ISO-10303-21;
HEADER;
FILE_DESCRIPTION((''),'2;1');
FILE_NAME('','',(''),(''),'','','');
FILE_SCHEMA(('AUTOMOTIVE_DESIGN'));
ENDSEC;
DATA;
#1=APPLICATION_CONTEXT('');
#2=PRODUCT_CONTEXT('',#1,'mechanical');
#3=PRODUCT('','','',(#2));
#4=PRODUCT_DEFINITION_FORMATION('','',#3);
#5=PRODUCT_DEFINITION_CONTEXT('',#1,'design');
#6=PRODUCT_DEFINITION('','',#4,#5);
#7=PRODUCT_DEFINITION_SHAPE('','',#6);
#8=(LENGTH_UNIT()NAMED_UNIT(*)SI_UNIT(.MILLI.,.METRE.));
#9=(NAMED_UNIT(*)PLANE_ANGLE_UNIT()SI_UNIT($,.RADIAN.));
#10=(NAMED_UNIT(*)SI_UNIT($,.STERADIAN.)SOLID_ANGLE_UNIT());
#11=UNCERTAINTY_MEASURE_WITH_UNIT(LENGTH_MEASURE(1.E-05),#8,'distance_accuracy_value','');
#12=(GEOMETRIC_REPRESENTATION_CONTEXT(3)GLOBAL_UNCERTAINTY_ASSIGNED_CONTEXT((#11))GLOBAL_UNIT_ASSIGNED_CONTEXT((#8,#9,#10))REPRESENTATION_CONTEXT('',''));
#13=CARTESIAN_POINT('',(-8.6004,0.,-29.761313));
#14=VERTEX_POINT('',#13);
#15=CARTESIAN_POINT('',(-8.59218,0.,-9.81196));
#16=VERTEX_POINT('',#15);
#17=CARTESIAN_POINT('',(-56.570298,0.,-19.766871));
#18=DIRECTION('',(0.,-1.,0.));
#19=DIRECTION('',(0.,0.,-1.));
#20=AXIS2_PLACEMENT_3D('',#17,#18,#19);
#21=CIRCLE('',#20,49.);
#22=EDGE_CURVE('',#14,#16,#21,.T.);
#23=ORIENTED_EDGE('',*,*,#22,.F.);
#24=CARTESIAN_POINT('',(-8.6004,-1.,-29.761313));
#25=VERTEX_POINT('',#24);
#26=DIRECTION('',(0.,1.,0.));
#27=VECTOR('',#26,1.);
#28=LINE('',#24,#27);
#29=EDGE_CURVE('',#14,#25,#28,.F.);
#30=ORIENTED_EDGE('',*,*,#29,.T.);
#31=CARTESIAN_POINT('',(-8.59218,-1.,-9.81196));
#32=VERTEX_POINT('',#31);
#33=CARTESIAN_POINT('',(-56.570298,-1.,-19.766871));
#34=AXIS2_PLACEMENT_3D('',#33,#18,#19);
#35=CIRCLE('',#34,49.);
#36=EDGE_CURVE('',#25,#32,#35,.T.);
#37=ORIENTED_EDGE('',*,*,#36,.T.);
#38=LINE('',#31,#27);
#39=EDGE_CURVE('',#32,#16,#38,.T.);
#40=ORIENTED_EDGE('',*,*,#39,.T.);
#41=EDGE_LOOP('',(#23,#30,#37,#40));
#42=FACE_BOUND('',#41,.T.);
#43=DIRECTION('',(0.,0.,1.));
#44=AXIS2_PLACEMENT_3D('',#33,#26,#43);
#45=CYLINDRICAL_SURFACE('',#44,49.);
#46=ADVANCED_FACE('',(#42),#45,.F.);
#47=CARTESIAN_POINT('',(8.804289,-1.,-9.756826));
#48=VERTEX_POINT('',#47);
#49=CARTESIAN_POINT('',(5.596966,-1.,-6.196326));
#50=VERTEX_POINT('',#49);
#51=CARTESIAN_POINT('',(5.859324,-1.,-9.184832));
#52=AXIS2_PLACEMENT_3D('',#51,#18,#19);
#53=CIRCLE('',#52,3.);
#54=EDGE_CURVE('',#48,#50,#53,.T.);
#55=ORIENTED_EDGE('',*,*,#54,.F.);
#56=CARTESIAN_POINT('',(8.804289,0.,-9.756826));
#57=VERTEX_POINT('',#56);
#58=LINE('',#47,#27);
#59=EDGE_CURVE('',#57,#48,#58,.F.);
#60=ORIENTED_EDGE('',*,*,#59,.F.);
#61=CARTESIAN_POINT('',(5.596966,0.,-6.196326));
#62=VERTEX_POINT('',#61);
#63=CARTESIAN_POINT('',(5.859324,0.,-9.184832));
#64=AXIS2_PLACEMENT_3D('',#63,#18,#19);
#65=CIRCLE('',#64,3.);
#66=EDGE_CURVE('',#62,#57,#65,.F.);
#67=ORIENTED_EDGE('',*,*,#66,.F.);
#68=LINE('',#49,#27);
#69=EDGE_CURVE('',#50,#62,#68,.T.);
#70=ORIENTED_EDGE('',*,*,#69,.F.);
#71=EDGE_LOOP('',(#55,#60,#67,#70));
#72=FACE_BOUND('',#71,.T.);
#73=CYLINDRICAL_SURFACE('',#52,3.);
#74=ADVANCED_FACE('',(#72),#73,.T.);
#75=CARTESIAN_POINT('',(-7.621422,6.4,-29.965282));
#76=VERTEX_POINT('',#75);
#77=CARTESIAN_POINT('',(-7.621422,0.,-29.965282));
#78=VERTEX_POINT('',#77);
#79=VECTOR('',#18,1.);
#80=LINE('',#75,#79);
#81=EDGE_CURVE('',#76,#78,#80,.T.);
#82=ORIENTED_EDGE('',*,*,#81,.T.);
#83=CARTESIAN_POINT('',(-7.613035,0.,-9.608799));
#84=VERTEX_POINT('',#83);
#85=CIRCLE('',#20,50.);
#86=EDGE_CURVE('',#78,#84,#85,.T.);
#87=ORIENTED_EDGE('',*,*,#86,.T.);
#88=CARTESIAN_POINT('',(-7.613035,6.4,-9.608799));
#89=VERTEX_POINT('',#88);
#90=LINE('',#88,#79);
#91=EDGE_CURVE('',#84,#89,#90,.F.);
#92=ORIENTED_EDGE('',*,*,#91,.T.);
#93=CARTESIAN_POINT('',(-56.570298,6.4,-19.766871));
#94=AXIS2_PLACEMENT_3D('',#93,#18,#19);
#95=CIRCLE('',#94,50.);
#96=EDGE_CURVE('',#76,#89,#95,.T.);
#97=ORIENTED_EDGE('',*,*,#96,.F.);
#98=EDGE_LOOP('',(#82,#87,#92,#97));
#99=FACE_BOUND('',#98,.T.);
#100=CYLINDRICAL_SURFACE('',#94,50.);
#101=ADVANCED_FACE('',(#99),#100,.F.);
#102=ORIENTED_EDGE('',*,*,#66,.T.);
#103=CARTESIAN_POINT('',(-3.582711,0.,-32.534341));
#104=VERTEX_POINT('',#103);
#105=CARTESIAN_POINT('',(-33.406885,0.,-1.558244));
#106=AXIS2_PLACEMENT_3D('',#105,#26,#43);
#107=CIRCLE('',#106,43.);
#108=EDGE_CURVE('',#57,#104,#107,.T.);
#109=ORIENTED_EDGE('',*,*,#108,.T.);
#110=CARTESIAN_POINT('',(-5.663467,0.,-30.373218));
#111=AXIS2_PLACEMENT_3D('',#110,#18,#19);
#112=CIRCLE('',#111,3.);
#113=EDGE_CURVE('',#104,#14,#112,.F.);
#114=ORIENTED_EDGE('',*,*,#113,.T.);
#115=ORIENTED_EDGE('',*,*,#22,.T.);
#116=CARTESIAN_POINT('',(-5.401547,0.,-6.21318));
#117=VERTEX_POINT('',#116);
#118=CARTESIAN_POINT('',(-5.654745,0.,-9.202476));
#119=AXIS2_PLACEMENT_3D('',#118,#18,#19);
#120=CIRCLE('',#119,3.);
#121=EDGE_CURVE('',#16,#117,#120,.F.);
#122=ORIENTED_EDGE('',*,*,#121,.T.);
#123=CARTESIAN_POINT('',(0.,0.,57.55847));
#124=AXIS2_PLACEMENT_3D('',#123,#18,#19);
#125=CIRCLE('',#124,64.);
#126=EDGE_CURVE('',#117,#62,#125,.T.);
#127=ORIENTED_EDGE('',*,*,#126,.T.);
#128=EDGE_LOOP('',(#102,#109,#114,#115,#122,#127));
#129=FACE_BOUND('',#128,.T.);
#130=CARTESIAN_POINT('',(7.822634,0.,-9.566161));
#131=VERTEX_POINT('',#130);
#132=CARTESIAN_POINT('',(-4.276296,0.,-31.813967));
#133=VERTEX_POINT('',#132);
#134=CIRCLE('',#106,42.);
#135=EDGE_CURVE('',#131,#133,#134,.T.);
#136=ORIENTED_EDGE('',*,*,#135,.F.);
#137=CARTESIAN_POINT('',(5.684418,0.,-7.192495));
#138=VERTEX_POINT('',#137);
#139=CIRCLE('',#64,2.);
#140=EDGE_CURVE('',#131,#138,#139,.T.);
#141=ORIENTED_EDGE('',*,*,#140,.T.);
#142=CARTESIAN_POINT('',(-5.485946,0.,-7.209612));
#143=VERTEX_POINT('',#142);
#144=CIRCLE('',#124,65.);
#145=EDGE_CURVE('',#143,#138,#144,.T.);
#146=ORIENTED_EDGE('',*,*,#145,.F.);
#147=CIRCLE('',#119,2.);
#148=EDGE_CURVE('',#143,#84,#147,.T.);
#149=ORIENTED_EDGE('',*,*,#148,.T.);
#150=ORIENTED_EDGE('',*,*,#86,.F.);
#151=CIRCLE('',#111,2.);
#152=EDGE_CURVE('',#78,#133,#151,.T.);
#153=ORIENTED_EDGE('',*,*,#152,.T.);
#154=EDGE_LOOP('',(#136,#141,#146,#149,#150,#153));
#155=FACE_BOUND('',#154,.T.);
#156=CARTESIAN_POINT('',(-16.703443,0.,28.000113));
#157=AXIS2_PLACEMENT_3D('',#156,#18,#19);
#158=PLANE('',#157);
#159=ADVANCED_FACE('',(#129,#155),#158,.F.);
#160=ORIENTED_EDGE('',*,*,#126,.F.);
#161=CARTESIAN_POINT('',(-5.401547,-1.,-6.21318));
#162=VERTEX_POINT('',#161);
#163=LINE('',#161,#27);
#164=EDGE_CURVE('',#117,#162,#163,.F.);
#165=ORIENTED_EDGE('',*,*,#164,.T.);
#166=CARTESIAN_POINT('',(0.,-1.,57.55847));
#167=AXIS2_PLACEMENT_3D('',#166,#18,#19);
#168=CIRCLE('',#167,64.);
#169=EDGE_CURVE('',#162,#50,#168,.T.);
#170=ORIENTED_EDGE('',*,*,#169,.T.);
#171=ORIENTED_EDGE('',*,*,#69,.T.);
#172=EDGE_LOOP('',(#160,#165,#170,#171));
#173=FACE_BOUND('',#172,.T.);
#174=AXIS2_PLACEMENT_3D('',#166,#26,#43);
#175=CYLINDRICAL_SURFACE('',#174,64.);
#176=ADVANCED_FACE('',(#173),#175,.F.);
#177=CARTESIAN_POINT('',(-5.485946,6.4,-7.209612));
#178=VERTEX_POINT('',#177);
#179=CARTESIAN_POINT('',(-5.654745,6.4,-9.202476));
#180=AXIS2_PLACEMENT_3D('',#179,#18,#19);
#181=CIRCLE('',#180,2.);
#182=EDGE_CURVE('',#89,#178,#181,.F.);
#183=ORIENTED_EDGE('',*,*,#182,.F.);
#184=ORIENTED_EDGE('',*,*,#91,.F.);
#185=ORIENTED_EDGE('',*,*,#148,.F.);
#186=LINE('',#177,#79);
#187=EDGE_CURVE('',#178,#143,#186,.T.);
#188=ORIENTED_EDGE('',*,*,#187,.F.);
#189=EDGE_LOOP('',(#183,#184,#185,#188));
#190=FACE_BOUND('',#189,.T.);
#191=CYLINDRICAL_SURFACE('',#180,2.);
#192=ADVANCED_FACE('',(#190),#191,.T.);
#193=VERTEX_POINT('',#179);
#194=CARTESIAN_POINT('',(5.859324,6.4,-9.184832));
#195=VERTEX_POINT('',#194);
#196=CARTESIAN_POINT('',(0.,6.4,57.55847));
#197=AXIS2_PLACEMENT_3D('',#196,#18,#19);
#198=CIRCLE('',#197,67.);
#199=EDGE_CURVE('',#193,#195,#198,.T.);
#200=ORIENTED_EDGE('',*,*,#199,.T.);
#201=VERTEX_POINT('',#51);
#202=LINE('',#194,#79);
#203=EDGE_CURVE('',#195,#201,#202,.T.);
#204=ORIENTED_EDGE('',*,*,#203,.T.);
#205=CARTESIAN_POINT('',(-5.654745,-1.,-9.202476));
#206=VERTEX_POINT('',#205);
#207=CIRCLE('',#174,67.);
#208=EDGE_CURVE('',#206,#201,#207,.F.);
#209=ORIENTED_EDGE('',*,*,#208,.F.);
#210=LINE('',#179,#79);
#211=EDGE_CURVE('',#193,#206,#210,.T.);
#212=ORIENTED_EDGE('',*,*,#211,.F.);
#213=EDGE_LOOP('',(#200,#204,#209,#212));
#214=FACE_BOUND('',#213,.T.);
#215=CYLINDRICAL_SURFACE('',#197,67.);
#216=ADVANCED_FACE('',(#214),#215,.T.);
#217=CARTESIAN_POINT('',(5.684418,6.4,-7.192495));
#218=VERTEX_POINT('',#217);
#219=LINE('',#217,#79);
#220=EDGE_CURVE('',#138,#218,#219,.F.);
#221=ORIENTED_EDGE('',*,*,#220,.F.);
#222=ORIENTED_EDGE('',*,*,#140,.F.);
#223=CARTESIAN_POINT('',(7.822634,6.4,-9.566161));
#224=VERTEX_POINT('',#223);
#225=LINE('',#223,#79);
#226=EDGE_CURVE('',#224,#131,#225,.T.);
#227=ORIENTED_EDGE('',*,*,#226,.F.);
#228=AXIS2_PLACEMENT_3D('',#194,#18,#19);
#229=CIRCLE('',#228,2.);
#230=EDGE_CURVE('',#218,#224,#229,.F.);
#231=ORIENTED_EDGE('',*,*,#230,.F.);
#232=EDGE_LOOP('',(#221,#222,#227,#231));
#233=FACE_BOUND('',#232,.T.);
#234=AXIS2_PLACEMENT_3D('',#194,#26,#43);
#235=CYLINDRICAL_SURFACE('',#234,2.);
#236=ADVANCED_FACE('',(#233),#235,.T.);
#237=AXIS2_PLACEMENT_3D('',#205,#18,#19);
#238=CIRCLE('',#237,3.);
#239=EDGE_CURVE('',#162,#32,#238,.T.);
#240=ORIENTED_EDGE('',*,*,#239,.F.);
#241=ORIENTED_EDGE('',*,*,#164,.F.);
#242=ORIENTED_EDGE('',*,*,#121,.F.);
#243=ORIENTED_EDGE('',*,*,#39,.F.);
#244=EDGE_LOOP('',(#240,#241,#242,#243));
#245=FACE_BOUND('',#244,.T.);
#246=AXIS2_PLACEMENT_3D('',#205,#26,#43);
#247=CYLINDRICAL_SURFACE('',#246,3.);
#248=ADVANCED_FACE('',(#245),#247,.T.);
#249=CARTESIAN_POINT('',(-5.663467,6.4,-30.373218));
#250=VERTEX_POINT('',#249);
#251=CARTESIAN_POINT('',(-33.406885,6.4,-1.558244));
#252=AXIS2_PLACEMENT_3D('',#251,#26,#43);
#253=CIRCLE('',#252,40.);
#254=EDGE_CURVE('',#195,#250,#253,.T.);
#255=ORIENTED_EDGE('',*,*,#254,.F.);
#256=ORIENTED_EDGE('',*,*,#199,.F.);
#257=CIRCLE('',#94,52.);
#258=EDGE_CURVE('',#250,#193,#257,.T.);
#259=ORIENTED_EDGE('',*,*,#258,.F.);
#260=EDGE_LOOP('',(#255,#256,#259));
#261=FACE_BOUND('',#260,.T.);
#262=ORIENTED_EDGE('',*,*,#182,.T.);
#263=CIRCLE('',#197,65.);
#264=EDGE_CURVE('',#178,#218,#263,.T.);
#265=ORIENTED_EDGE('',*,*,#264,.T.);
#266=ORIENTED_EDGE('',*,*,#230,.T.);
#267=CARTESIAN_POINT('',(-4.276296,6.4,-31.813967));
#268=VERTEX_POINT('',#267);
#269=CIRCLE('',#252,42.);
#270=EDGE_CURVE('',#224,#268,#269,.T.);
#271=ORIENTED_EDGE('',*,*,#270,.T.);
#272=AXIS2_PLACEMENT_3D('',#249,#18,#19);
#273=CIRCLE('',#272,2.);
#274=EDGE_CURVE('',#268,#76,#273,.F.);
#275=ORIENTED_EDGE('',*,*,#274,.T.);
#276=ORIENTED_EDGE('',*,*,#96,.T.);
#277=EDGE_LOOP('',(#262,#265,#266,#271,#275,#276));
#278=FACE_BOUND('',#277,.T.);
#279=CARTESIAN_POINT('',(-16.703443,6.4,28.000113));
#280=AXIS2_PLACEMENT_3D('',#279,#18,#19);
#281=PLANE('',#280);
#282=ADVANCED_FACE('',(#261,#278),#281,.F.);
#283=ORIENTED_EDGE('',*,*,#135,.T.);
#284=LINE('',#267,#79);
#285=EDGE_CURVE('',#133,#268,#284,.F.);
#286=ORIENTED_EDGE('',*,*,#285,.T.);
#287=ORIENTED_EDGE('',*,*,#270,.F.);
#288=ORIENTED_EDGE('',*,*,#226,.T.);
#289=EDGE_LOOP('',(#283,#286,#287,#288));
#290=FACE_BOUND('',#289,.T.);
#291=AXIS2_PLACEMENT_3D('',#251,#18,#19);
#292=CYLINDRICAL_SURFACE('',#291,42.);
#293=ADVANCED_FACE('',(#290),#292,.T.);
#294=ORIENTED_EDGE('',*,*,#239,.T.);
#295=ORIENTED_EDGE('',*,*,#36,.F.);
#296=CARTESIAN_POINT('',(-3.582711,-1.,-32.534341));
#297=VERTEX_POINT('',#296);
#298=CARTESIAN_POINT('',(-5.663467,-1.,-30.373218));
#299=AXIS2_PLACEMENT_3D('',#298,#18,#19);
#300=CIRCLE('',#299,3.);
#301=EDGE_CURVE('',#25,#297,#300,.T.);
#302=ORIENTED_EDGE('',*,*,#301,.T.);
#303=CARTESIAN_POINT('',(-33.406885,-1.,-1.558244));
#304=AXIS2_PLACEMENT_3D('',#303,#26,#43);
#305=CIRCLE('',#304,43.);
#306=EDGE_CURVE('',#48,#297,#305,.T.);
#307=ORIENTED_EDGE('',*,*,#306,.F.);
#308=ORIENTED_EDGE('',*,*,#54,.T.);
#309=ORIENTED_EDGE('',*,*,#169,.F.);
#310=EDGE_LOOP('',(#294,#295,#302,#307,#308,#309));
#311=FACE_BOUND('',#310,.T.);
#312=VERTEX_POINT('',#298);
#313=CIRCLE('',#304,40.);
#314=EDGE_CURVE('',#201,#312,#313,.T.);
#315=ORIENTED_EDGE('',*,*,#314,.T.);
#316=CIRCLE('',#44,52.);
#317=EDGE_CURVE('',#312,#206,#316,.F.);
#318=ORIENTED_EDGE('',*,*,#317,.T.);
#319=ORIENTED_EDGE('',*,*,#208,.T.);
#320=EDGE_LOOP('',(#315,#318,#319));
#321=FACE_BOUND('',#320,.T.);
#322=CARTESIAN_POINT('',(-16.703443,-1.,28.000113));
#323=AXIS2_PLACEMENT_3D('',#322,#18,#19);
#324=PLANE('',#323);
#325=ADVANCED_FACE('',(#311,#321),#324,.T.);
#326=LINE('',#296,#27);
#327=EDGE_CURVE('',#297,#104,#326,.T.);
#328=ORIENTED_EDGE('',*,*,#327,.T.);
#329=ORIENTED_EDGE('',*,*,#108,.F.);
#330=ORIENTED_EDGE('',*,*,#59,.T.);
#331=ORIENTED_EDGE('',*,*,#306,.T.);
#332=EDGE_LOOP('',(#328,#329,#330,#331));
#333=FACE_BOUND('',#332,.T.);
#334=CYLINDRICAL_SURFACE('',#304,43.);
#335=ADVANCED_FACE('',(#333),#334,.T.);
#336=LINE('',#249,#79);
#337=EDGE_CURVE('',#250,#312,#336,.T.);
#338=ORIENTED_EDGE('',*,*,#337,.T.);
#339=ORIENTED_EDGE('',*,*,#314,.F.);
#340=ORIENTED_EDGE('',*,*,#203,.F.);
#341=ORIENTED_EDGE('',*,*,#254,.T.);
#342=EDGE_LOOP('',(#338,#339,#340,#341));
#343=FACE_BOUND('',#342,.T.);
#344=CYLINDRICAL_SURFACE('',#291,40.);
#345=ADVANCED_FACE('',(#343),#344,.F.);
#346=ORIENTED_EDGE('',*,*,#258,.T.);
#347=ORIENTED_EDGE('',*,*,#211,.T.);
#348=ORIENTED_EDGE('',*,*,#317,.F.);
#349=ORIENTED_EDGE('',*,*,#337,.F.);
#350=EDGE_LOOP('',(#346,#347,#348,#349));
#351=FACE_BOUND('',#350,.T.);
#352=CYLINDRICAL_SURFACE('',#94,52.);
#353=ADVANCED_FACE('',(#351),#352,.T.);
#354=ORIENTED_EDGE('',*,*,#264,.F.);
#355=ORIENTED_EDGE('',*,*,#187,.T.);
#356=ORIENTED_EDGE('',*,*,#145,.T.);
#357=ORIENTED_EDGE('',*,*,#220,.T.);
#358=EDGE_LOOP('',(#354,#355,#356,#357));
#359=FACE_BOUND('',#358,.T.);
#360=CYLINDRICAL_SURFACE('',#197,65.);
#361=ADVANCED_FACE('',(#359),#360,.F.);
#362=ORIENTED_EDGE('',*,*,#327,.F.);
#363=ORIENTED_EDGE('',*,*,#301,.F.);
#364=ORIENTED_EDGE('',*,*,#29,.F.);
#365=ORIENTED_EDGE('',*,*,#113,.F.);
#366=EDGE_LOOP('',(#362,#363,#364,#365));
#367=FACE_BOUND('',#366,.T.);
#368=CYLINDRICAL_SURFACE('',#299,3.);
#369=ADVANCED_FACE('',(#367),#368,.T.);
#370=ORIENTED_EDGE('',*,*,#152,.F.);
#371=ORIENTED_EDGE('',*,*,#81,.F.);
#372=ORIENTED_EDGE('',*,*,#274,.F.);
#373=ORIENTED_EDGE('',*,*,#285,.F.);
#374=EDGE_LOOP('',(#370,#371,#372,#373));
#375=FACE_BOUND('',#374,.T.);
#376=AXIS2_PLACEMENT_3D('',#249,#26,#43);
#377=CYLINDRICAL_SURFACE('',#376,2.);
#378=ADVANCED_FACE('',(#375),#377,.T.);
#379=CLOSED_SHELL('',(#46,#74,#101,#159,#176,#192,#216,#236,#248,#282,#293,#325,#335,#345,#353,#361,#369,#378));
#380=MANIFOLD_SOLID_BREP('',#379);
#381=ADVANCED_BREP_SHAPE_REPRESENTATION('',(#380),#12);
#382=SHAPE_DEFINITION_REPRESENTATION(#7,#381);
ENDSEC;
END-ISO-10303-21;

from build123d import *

# Parameters (mm, degrees)
EXTRUDE_7_DEPTH     = 6.4
EXTRUDE_8_DEPTH     = 1
FILLET_1_R          = 2
FILLET_4_R          = 3
CUT_EXTRUDE_1_DEPTH = 36.117222337


with BuildPart() as part:
    # 草图1 → 凸台-拉伸7 (new body)
    with BuildSketch(Plane(origin=(0, 0, 0), x_dir=(1, 0, 0), z_dir=(0, 1, 0))):
        with BuildLine():
            ThreePointArc((-8.25, 6.915846718), (0, 7.441530126), (8.25, 6.915846718))
            ThreePointArc((8.25, 6.915846718), (2.55299652, 23.258172204), (-9.25, 35.915846718))
            ThreePointArc((-9.25, 35.915846718), (-6.599997803, 21.489984725), (-8.25, 6.915846718))
        make_face()
        with BuildLine():
            ThreePointArc((-5.663467174, 30.373218023), (-4.570302184, 19.788295497), (-5.654744598, 9.202475772))
            ThreePointArc((-5.654744598, 9.202475772), (0.10266918, 9.441451462), (5.859323518, 9.184831872))
            ThreePointArc((5.859323518, 9.184831872), (1.732970319, 20.668203024), (-5.663467174, 30.373218023))
        make_face(mode=Mode.SUBTRACT)
    extrude(amount=EXTRUDE_7_DEPTH)

    # 草图1<9> → 凸台-拉伸8 (add)
    with BuildSketch(Plane(origin=(0, 0, 0), x_dir=(1, 0, 0), z_dir=(0, 1, 0))):
        with BuildLine():
            ThreePointArc((-11.257417673, 38.414736689), (-7.630939872, 22.203928266), (-9.628954872, 5.713034203))
            ThreePointArc((-9.628954872, 5.713034203), (-0.121629419, 6.44141455), (9.388395867, 5.749175976))
            ThreePointArc((9.388395867, 5.749175976), (2.941633426, 24.53181947), (-11.257417673, 38.414736689))
        make_face()
    extrude(amount=-EXTRUDE_8_DEPTH)

    # 圆角1
    fillet_1_edges = [part.edges().sort_by_distance(p)[0] for p in [
        (-8.25, 3.2, -6.915846718),
        (-9.25, 3.2, -35.915846718),
        (8.25, 3.2, -6.915846718),
    ]]
    fillet(fillet_1_edges, radius=FILLET_1_R)

    # 圆角4
    fillet_4_edges = [part.edges().sort_by_distance(p)[0] for p in [
        (9.388395867, -0.5, -5.749175976),
        (-9.628954872, -0.5, -5.713034203),
        (-11.257417673, -0.5, -38.414736689),
    ]]
    fillet(fillet_4_edges, radius=FILLET_4_R)

    # 草图1<10> → 切除-拉伸1 (cut, through all)
    with BuildSketch(Plane(origin=(0, 0, 0), x_dir=(1, 0, 0), z_dir=(0, 1, 0))):
        with BuildLine():
            ThreePointArc((-5.654744598, 9.202475772), (0.10266918, 9.441451462), (5.859323518, 9.184831872))
            ThreePointArc((5.859323518, 9.184831872), (1.732970319, 20.668203024), (-5.663467174, 30.373218023))
            ThreePointArc((-5.663467174, 30.373218023), (-4.570302184, 19.788295497), (-5.654744598, 9.202475772))
        make_face()
    extrude(amount=-CUT_EXTRUDE_1_DEPTH, mode=Mode.SUBTRACT)


solid = part.part
